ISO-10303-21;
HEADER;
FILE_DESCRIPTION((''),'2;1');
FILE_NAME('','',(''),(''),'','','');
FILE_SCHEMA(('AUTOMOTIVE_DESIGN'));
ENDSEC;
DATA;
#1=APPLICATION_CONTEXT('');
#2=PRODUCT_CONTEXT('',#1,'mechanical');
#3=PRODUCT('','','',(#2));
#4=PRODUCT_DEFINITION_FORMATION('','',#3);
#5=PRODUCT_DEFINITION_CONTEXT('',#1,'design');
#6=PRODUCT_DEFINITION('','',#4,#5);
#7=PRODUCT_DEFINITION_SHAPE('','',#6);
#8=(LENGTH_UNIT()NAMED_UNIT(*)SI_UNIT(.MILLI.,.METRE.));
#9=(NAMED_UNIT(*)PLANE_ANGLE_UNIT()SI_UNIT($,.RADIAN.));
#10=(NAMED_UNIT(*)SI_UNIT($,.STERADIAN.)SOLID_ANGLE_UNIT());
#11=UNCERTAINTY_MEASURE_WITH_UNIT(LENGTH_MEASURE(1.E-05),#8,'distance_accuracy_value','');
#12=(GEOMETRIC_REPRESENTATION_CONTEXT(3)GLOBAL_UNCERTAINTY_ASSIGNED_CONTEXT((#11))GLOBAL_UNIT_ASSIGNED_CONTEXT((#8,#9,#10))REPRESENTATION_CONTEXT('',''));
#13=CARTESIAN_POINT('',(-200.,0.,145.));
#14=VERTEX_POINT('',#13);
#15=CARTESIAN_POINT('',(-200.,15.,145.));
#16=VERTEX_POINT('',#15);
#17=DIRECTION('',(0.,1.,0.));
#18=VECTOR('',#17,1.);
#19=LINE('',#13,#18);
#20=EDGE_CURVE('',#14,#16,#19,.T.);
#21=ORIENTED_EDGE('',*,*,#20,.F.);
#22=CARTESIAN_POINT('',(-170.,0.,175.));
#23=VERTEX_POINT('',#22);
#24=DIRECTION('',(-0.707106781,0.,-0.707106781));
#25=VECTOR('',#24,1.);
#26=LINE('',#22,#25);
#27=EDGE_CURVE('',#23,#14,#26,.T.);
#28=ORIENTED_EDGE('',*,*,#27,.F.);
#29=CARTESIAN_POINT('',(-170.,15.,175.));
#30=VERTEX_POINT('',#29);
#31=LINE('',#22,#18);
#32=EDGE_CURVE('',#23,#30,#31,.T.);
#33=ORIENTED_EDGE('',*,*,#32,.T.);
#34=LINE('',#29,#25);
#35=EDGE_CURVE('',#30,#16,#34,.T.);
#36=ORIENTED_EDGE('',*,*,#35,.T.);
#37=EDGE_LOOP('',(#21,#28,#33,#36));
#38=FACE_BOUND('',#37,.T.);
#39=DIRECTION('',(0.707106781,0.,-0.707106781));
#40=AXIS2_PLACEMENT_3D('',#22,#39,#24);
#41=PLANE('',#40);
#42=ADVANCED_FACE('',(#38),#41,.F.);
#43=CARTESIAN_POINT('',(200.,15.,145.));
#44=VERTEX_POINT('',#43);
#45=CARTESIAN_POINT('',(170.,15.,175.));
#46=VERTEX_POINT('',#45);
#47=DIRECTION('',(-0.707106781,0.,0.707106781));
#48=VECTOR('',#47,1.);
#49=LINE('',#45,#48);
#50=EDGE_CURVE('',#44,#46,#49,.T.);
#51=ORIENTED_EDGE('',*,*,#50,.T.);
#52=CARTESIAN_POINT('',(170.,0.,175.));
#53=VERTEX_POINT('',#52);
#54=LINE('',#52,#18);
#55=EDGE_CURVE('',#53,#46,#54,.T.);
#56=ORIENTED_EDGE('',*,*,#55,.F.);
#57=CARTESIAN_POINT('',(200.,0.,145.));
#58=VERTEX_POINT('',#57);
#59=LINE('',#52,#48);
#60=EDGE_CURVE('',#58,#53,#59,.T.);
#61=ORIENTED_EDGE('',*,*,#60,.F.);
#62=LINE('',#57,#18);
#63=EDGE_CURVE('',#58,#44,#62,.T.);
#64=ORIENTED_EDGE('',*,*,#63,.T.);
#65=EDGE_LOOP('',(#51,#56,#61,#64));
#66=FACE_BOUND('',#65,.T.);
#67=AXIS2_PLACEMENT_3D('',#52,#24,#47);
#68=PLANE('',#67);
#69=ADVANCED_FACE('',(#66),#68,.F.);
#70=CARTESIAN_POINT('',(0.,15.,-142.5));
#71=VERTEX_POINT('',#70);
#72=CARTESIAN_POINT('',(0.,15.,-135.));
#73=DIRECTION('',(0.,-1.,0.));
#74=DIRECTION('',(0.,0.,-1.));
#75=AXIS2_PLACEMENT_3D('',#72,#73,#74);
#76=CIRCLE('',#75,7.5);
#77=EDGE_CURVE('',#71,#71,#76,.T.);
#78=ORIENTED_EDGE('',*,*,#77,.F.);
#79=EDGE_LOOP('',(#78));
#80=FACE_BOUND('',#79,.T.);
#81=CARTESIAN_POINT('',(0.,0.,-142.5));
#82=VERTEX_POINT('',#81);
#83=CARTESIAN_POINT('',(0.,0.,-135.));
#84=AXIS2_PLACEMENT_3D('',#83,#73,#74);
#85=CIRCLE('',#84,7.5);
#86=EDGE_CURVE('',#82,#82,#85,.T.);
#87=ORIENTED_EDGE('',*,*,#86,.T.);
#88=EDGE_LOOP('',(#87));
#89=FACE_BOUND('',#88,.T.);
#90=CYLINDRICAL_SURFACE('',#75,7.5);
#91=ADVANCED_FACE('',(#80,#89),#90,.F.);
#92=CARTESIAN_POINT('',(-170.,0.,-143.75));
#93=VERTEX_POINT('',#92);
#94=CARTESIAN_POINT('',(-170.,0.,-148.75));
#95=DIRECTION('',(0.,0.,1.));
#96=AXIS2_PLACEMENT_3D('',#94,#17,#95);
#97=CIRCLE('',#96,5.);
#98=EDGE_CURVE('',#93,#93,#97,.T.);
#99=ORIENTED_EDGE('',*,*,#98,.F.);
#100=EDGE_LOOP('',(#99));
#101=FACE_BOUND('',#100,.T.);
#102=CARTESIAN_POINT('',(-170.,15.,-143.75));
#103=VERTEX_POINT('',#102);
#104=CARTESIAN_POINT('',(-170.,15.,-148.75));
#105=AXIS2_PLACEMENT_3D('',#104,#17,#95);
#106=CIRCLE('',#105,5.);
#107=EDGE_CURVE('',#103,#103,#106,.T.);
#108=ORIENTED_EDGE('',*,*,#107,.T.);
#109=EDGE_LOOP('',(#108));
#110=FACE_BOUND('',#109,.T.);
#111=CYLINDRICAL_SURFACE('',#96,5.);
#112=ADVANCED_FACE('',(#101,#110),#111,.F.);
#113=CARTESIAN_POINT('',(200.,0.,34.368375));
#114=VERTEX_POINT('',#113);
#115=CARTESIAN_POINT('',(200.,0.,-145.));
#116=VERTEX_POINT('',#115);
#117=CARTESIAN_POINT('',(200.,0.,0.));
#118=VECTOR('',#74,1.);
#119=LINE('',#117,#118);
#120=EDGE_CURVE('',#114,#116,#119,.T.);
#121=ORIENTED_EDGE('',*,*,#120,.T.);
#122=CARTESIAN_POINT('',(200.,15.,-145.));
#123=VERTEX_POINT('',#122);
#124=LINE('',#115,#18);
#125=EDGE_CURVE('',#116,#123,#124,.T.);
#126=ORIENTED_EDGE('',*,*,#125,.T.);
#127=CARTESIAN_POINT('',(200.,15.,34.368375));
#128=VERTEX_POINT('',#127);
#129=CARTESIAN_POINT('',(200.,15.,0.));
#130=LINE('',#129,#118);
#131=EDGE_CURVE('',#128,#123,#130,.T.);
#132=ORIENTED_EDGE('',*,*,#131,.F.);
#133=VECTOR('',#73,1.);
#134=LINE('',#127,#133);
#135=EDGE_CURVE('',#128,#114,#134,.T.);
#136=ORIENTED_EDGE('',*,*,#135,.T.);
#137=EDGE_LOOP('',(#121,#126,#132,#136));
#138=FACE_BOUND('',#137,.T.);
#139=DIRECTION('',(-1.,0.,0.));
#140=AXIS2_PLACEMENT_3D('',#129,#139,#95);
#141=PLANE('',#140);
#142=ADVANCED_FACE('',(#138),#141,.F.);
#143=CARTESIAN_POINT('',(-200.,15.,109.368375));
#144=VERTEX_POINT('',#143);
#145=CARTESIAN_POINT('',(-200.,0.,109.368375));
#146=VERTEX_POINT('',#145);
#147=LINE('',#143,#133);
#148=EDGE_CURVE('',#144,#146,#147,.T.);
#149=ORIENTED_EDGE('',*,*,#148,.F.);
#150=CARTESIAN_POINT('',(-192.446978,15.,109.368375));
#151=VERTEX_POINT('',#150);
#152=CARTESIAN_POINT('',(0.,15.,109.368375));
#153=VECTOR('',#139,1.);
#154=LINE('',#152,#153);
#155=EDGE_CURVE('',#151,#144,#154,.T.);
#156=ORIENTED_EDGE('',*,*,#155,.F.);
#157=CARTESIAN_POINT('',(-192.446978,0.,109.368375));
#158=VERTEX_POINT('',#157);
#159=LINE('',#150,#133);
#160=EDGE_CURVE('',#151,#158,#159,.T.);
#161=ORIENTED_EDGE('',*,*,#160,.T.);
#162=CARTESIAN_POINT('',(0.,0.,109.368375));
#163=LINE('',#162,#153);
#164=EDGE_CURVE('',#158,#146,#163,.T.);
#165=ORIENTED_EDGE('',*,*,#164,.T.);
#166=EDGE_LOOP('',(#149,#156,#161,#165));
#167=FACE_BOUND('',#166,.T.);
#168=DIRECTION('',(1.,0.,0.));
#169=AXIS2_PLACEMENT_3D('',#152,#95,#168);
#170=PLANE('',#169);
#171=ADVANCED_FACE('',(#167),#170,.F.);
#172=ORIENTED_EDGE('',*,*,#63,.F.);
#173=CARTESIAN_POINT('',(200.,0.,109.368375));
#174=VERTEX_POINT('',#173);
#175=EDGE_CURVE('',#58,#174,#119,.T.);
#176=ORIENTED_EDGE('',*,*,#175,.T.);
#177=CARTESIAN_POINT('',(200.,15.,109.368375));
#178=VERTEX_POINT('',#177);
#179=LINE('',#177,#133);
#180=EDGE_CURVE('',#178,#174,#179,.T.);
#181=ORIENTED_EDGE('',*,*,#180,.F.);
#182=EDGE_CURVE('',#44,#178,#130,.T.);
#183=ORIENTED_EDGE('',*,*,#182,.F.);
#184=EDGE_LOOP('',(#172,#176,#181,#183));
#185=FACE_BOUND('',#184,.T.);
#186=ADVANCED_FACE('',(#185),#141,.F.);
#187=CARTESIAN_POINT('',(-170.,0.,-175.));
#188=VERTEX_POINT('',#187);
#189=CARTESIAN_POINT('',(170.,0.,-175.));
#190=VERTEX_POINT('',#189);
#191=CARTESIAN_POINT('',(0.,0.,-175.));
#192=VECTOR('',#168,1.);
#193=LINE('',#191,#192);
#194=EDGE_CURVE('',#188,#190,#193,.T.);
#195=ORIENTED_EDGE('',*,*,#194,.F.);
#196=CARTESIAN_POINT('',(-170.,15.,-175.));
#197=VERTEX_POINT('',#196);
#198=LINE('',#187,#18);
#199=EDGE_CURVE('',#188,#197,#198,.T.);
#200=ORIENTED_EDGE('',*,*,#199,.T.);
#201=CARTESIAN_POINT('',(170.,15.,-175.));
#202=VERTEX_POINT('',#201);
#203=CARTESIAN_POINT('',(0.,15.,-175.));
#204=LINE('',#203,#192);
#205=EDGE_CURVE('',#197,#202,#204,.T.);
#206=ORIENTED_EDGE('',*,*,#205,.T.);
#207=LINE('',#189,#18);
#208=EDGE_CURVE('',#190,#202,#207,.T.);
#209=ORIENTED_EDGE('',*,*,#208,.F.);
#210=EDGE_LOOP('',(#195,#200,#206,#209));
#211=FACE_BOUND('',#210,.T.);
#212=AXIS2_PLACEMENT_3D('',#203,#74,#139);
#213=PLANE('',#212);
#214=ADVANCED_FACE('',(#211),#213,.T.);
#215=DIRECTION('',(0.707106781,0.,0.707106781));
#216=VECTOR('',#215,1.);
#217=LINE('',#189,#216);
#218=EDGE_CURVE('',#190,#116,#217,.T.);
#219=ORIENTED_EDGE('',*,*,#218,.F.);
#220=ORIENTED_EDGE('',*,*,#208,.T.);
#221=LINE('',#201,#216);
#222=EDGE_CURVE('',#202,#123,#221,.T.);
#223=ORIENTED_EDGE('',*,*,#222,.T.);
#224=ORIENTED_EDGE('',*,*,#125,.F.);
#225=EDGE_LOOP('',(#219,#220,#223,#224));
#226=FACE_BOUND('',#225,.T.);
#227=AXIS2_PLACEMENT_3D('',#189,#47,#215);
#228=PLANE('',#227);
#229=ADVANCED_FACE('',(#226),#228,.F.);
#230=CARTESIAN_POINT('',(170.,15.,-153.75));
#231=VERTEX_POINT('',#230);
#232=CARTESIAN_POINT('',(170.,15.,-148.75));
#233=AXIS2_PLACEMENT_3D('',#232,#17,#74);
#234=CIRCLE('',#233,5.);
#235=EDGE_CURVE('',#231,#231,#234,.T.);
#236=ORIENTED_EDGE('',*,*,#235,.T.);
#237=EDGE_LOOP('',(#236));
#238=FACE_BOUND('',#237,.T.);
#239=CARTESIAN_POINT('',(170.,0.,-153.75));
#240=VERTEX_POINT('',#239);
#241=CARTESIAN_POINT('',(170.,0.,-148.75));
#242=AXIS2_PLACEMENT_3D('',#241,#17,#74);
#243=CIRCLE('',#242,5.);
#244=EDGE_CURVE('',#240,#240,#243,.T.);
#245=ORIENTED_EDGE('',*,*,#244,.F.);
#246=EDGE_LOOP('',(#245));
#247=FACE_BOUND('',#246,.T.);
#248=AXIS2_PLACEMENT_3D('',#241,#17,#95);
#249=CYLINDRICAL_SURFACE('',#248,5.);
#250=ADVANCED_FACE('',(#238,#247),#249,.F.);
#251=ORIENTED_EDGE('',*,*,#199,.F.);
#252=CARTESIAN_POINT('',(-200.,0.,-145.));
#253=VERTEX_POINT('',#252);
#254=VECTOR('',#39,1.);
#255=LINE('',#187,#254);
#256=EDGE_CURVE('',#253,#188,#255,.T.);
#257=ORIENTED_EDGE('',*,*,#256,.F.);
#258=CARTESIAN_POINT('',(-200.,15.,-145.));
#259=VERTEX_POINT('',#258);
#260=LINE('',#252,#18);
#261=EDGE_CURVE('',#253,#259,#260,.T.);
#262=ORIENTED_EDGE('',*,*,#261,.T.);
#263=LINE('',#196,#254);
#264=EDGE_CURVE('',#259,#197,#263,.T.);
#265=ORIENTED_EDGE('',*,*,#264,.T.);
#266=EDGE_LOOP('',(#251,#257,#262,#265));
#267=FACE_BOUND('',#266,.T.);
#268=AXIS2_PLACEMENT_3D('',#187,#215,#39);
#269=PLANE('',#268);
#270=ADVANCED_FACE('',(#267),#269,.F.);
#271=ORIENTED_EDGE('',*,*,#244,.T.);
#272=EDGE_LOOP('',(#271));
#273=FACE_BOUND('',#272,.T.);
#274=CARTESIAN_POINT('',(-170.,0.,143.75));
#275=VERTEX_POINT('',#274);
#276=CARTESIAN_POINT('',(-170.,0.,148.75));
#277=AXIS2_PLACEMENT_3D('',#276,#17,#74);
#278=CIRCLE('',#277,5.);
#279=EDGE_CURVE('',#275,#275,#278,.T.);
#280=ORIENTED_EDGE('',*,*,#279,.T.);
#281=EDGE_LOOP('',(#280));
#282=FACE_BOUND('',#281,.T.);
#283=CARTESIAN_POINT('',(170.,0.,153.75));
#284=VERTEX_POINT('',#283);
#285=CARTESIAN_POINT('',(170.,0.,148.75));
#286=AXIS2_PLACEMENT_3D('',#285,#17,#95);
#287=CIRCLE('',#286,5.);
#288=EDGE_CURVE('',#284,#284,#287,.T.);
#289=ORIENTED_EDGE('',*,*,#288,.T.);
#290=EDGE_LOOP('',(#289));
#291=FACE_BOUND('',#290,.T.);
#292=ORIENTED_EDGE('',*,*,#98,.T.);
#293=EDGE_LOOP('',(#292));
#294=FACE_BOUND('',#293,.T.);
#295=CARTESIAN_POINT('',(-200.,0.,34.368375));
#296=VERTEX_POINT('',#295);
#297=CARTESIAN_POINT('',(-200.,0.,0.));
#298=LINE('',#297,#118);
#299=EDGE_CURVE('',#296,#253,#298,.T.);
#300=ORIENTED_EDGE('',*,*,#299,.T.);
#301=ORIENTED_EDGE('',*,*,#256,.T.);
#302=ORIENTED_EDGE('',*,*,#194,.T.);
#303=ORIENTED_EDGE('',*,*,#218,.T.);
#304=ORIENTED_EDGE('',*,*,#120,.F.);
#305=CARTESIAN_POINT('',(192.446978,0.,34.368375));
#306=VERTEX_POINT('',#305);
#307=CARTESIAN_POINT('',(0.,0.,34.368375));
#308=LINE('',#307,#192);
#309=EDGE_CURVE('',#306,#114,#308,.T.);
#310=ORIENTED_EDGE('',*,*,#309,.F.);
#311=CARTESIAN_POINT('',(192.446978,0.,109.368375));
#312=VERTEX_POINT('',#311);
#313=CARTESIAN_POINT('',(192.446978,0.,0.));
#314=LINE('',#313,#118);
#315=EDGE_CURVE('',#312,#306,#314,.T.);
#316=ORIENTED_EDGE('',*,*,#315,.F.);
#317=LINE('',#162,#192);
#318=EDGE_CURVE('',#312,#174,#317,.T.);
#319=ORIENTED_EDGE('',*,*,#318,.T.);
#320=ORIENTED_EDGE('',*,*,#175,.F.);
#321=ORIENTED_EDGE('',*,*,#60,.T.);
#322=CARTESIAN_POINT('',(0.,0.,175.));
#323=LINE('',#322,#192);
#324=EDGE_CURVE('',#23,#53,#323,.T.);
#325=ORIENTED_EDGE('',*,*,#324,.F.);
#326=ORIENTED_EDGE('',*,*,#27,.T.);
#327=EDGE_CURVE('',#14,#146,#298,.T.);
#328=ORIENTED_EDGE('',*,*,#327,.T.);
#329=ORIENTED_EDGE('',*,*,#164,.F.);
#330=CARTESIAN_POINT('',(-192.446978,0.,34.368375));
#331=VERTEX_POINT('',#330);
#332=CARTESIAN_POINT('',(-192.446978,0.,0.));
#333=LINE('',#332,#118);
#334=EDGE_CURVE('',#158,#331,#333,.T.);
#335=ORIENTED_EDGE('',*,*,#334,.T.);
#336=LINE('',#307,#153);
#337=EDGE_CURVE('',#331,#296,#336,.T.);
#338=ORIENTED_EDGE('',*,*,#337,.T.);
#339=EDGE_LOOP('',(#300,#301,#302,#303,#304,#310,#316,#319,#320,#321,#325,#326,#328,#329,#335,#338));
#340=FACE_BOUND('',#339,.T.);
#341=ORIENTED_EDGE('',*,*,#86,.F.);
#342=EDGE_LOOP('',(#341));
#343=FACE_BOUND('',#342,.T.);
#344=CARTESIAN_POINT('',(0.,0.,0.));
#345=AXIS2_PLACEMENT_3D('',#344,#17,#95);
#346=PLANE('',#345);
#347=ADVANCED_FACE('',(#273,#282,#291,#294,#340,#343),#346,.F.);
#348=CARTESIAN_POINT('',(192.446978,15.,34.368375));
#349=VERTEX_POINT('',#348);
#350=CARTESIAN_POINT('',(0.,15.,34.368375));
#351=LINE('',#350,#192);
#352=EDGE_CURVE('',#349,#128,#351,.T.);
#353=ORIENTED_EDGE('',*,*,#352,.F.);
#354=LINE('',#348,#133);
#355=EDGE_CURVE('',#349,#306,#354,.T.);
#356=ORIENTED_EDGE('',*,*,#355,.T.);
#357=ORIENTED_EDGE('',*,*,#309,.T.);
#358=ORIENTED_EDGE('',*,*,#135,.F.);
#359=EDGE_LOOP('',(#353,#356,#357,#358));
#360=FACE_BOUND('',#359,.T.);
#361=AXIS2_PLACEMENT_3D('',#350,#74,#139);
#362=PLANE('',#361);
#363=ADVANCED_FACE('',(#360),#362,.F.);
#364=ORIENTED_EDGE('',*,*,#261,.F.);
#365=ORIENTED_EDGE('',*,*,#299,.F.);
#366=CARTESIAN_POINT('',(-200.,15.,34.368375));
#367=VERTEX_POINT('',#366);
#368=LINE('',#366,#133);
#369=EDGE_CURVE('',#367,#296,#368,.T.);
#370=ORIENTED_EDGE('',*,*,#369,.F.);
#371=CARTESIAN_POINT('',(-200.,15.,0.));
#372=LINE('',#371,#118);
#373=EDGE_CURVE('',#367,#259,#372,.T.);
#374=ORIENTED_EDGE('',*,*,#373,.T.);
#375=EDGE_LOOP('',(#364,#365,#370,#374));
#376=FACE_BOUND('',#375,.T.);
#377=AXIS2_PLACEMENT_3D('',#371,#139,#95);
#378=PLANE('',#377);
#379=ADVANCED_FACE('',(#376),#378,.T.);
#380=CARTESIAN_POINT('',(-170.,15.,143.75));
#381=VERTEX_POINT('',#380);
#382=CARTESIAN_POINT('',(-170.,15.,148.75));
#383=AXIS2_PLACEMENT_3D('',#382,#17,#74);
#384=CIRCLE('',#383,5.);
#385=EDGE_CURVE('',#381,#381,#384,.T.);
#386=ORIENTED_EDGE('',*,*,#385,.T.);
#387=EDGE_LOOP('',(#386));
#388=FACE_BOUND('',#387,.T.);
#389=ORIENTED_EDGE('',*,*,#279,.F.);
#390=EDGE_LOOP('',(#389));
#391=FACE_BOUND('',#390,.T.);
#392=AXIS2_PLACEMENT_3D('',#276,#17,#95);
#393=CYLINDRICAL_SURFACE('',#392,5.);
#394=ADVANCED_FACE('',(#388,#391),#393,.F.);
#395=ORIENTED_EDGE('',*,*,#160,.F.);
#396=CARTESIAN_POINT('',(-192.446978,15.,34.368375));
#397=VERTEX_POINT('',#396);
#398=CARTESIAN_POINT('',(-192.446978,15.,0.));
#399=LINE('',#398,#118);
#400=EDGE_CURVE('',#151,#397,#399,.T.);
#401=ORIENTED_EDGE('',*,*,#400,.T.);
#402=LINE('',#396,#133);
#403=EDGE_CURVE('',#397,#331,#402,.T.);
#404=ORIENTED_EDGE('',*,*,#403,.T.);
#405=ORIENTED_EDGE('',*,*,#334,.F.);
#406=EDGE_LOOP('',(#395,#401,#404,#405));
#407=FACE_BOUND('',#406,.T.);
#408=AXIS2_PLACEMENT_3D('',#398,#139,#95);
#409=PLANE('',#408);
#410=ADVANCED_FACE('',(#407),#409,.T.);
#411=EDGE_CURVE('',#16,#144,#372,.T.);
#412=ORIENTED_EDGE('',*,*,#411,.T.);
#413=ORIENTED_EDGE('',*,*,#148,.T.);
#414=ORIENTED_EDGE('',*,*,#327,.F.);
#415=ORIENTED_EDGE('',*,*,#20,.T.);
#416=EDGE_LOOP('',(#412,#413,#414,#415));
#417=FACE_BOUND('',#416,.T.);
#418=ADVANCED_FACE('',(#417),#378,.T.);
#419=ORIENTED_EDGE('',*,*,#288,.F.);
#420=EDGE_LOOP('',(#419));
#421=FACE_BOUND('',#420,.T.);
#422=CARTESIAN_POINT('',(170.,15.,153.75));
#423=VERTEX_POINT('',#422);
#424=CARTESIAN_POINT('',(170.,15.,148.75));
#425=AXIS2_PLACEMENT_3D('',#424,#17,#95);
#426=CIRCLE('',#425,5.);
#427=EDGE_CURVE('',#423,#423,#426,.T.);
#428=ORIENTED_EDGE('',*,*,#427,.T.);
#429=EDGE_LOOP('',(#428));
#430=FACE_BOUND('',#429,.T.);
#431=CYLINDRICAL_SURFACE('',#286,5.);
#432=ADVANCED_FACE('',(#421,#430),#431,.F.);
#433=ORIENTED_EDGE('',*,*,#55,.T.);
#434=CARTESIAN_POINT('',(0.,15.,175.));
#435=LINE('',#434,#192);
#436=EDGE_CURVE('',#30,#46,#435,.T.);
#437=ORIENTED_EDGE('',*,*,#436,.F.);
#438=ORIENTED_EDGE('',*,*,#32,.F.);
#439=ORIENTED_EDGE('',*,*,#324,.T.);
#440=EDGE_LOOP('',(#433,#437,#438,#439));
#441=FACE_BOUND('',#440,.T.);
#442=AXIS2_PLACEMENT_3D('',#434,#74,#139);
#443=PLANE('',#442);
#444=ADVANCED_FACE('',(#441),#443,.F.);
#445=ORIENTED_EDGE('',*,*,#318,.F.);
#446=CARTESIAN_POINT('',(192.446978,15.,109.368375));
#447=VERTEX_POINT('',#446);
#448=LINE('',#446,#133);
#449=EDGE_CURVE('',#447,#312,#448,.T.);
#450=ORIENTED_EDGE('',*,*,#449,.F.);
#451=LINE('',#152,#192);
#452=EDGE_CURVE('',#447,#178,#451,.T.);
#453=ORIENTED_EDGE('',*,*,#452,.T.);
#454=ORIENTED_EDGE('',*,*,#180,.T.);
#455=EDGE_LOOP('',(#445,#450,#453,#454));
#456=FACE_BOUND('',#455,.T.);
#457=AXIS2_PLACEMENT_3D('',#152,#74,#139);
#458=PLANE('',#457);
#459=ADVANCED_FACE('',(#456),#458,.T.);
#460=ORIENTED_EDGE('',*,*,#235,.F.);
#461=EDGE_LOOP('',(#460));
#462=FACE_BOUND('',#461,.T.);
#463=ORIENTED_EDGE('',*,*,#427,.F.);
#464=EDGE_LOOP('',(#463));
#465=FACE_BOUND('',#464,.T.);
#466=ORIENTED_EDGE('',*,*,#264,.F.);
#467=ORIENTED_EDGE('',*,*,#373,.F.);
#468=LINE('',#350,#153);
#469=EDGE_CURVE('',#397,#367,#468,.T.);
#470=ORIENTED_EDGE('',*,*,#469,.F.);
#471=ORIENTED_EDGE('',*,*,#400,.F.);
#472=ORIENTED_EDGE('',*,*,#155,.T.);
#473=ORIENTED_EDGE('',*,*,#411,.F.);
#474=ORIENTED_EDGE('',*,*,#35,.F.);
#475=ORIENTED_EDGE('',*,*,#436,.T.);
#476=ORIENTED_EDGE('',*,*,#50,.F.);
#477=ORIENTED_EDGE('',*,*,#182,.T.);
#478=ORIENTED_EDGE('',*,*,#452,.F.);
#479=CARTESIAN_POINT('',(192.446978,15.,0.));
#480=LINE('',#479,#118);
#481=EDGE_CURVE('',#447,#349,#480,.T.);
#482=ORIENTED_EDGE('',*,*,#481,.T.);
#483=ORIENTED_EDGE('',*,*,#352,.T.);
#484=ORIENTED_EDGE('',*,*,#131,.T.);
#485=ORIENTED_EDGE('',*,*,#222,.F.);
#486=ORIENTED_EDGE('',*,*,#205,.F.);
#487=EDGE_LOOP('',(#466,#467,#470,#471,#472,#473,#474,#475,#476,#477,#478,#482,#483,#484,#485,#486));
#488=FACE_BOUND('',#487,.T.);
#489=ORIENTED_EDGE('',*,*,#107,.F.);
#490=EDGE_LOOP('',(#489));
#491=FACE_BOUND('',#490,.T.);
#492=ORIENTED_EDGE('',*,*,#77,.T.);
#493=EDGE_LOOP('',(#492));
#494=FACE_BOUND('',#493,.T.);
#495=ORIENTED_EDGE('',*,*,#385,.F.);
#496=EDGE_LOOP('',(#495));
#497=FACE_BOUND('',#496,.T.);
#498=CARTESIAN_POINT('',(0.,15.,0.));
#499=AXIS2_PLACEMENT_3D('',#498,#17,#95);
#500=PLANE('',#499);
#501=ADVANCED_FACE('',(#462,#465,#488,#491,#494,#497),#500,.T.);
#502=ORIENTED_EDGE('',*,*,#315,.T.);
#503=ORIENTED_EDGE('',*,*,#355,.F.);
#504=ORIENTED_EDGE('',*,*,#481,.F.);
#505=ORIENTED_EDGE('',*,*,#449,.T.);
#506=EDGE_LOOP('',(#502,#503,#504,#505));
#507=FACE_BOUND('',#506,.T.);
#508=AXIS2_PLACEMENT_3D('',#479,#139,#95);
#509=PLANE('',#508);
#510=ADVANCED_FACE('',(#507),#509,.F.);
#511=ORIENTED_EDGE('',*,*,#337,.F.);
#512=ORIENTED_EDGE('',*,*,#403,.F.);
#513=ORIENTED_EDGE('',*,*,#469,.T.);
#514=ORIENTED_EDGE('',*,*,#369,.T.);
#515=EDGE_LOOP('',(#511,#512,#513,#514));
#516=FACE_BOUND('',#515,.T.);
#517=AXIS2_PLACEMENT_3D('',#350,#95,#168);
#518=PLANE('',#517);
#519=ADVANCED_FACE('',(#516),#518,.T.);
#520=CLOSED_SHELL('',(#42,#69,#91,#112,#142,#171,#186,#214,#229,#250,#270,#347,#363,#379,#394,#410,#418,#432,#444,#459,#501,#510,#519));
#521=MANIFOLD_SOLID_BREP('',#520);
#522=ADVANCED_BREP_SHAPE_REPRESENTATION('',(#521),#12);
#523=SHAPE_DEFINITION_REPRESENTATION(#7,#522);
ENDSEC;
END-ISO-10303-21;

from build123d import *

# Parameters (mm, degrees)
BOSS_EXTRUDE1_DEPTH = 15
SKETCH4_R           = 5
CUT_EXTRUDE1_DEPTH  = 267.176633084
SKETCH5_R           = 7.5
CUT_EXTRUDE2_DEPTH  = 267.176633084


with BuildPart() as part:
    # Sketch1 → Boss-Extrude1 (new body)
    with BuildSketch(Plane(origin=(0, 0, 0), x_dir=(1, 0, 0), z_dir=(0, 1, 0))):
        Polygon((-200, -175), (200, -175), (200, -109.36837475), (192.446978441, -109.36837475), (192.446978441, -34.36837475), (200, -34.36837475), (200, 175), (-200, 175), (-200, -34.36837475), (-192.446978441, -34.36837475), (-192.446978441, -109.36837475), (-200, -109.36837475), align=None)
    extrude(amount=BOSS_EXTRUDE1_DEPTH)

    # Sketch4 → Cut-Extrude1 (cut, through all)
    with BuildSketch(Plane(origin=(0, 15, 0), x_dir=(1, 0, 0), z_dir=(0, 1, 0))):
        with Locations(Location((-170, 148.75, 0), (0, 0, 270))):
            Circle(SKETCH4_R)
        with Locations(Location((170, 148.75, 0), (0, 0, 90))):
            Circle(SKETCH4_R)
        with Locations(Location((170, -148.75, 0), (0, 0, 270))):
            Circle(SKETCH4_R)
        with Locations(Location((-170, -148.75, 0), (0, 0, 90))):
            Circle(SKETCH4_R)
        Polygon((-170, 175), (-200, 145), (-200, 175), align=None)
        Polygon((-200, -145), (-200, -175), (-170, -175), align=None)
        Polygon((170, -175), (200, -145), (200, -175), align=None)
        Polygon((200, 145), (200, 175), (170, 175), align=None)
    extrude(amount=-CUT_EXTRUDE1_DEPTH, mode=Mode.SUBTRACT)

    # Sketch5 → Cut-Extrude2 (cut, through all)
    with BuildSketch(Plane.XZ):
        with Locations(Location((0, -135, 0), (0, 0, 270))):
            Circle(SKETCH5_R)
    extrude(amount=-CUT_EXTRUDE2_DEPTH, mode=Mode.SUBTRACT)


solid = part.part
